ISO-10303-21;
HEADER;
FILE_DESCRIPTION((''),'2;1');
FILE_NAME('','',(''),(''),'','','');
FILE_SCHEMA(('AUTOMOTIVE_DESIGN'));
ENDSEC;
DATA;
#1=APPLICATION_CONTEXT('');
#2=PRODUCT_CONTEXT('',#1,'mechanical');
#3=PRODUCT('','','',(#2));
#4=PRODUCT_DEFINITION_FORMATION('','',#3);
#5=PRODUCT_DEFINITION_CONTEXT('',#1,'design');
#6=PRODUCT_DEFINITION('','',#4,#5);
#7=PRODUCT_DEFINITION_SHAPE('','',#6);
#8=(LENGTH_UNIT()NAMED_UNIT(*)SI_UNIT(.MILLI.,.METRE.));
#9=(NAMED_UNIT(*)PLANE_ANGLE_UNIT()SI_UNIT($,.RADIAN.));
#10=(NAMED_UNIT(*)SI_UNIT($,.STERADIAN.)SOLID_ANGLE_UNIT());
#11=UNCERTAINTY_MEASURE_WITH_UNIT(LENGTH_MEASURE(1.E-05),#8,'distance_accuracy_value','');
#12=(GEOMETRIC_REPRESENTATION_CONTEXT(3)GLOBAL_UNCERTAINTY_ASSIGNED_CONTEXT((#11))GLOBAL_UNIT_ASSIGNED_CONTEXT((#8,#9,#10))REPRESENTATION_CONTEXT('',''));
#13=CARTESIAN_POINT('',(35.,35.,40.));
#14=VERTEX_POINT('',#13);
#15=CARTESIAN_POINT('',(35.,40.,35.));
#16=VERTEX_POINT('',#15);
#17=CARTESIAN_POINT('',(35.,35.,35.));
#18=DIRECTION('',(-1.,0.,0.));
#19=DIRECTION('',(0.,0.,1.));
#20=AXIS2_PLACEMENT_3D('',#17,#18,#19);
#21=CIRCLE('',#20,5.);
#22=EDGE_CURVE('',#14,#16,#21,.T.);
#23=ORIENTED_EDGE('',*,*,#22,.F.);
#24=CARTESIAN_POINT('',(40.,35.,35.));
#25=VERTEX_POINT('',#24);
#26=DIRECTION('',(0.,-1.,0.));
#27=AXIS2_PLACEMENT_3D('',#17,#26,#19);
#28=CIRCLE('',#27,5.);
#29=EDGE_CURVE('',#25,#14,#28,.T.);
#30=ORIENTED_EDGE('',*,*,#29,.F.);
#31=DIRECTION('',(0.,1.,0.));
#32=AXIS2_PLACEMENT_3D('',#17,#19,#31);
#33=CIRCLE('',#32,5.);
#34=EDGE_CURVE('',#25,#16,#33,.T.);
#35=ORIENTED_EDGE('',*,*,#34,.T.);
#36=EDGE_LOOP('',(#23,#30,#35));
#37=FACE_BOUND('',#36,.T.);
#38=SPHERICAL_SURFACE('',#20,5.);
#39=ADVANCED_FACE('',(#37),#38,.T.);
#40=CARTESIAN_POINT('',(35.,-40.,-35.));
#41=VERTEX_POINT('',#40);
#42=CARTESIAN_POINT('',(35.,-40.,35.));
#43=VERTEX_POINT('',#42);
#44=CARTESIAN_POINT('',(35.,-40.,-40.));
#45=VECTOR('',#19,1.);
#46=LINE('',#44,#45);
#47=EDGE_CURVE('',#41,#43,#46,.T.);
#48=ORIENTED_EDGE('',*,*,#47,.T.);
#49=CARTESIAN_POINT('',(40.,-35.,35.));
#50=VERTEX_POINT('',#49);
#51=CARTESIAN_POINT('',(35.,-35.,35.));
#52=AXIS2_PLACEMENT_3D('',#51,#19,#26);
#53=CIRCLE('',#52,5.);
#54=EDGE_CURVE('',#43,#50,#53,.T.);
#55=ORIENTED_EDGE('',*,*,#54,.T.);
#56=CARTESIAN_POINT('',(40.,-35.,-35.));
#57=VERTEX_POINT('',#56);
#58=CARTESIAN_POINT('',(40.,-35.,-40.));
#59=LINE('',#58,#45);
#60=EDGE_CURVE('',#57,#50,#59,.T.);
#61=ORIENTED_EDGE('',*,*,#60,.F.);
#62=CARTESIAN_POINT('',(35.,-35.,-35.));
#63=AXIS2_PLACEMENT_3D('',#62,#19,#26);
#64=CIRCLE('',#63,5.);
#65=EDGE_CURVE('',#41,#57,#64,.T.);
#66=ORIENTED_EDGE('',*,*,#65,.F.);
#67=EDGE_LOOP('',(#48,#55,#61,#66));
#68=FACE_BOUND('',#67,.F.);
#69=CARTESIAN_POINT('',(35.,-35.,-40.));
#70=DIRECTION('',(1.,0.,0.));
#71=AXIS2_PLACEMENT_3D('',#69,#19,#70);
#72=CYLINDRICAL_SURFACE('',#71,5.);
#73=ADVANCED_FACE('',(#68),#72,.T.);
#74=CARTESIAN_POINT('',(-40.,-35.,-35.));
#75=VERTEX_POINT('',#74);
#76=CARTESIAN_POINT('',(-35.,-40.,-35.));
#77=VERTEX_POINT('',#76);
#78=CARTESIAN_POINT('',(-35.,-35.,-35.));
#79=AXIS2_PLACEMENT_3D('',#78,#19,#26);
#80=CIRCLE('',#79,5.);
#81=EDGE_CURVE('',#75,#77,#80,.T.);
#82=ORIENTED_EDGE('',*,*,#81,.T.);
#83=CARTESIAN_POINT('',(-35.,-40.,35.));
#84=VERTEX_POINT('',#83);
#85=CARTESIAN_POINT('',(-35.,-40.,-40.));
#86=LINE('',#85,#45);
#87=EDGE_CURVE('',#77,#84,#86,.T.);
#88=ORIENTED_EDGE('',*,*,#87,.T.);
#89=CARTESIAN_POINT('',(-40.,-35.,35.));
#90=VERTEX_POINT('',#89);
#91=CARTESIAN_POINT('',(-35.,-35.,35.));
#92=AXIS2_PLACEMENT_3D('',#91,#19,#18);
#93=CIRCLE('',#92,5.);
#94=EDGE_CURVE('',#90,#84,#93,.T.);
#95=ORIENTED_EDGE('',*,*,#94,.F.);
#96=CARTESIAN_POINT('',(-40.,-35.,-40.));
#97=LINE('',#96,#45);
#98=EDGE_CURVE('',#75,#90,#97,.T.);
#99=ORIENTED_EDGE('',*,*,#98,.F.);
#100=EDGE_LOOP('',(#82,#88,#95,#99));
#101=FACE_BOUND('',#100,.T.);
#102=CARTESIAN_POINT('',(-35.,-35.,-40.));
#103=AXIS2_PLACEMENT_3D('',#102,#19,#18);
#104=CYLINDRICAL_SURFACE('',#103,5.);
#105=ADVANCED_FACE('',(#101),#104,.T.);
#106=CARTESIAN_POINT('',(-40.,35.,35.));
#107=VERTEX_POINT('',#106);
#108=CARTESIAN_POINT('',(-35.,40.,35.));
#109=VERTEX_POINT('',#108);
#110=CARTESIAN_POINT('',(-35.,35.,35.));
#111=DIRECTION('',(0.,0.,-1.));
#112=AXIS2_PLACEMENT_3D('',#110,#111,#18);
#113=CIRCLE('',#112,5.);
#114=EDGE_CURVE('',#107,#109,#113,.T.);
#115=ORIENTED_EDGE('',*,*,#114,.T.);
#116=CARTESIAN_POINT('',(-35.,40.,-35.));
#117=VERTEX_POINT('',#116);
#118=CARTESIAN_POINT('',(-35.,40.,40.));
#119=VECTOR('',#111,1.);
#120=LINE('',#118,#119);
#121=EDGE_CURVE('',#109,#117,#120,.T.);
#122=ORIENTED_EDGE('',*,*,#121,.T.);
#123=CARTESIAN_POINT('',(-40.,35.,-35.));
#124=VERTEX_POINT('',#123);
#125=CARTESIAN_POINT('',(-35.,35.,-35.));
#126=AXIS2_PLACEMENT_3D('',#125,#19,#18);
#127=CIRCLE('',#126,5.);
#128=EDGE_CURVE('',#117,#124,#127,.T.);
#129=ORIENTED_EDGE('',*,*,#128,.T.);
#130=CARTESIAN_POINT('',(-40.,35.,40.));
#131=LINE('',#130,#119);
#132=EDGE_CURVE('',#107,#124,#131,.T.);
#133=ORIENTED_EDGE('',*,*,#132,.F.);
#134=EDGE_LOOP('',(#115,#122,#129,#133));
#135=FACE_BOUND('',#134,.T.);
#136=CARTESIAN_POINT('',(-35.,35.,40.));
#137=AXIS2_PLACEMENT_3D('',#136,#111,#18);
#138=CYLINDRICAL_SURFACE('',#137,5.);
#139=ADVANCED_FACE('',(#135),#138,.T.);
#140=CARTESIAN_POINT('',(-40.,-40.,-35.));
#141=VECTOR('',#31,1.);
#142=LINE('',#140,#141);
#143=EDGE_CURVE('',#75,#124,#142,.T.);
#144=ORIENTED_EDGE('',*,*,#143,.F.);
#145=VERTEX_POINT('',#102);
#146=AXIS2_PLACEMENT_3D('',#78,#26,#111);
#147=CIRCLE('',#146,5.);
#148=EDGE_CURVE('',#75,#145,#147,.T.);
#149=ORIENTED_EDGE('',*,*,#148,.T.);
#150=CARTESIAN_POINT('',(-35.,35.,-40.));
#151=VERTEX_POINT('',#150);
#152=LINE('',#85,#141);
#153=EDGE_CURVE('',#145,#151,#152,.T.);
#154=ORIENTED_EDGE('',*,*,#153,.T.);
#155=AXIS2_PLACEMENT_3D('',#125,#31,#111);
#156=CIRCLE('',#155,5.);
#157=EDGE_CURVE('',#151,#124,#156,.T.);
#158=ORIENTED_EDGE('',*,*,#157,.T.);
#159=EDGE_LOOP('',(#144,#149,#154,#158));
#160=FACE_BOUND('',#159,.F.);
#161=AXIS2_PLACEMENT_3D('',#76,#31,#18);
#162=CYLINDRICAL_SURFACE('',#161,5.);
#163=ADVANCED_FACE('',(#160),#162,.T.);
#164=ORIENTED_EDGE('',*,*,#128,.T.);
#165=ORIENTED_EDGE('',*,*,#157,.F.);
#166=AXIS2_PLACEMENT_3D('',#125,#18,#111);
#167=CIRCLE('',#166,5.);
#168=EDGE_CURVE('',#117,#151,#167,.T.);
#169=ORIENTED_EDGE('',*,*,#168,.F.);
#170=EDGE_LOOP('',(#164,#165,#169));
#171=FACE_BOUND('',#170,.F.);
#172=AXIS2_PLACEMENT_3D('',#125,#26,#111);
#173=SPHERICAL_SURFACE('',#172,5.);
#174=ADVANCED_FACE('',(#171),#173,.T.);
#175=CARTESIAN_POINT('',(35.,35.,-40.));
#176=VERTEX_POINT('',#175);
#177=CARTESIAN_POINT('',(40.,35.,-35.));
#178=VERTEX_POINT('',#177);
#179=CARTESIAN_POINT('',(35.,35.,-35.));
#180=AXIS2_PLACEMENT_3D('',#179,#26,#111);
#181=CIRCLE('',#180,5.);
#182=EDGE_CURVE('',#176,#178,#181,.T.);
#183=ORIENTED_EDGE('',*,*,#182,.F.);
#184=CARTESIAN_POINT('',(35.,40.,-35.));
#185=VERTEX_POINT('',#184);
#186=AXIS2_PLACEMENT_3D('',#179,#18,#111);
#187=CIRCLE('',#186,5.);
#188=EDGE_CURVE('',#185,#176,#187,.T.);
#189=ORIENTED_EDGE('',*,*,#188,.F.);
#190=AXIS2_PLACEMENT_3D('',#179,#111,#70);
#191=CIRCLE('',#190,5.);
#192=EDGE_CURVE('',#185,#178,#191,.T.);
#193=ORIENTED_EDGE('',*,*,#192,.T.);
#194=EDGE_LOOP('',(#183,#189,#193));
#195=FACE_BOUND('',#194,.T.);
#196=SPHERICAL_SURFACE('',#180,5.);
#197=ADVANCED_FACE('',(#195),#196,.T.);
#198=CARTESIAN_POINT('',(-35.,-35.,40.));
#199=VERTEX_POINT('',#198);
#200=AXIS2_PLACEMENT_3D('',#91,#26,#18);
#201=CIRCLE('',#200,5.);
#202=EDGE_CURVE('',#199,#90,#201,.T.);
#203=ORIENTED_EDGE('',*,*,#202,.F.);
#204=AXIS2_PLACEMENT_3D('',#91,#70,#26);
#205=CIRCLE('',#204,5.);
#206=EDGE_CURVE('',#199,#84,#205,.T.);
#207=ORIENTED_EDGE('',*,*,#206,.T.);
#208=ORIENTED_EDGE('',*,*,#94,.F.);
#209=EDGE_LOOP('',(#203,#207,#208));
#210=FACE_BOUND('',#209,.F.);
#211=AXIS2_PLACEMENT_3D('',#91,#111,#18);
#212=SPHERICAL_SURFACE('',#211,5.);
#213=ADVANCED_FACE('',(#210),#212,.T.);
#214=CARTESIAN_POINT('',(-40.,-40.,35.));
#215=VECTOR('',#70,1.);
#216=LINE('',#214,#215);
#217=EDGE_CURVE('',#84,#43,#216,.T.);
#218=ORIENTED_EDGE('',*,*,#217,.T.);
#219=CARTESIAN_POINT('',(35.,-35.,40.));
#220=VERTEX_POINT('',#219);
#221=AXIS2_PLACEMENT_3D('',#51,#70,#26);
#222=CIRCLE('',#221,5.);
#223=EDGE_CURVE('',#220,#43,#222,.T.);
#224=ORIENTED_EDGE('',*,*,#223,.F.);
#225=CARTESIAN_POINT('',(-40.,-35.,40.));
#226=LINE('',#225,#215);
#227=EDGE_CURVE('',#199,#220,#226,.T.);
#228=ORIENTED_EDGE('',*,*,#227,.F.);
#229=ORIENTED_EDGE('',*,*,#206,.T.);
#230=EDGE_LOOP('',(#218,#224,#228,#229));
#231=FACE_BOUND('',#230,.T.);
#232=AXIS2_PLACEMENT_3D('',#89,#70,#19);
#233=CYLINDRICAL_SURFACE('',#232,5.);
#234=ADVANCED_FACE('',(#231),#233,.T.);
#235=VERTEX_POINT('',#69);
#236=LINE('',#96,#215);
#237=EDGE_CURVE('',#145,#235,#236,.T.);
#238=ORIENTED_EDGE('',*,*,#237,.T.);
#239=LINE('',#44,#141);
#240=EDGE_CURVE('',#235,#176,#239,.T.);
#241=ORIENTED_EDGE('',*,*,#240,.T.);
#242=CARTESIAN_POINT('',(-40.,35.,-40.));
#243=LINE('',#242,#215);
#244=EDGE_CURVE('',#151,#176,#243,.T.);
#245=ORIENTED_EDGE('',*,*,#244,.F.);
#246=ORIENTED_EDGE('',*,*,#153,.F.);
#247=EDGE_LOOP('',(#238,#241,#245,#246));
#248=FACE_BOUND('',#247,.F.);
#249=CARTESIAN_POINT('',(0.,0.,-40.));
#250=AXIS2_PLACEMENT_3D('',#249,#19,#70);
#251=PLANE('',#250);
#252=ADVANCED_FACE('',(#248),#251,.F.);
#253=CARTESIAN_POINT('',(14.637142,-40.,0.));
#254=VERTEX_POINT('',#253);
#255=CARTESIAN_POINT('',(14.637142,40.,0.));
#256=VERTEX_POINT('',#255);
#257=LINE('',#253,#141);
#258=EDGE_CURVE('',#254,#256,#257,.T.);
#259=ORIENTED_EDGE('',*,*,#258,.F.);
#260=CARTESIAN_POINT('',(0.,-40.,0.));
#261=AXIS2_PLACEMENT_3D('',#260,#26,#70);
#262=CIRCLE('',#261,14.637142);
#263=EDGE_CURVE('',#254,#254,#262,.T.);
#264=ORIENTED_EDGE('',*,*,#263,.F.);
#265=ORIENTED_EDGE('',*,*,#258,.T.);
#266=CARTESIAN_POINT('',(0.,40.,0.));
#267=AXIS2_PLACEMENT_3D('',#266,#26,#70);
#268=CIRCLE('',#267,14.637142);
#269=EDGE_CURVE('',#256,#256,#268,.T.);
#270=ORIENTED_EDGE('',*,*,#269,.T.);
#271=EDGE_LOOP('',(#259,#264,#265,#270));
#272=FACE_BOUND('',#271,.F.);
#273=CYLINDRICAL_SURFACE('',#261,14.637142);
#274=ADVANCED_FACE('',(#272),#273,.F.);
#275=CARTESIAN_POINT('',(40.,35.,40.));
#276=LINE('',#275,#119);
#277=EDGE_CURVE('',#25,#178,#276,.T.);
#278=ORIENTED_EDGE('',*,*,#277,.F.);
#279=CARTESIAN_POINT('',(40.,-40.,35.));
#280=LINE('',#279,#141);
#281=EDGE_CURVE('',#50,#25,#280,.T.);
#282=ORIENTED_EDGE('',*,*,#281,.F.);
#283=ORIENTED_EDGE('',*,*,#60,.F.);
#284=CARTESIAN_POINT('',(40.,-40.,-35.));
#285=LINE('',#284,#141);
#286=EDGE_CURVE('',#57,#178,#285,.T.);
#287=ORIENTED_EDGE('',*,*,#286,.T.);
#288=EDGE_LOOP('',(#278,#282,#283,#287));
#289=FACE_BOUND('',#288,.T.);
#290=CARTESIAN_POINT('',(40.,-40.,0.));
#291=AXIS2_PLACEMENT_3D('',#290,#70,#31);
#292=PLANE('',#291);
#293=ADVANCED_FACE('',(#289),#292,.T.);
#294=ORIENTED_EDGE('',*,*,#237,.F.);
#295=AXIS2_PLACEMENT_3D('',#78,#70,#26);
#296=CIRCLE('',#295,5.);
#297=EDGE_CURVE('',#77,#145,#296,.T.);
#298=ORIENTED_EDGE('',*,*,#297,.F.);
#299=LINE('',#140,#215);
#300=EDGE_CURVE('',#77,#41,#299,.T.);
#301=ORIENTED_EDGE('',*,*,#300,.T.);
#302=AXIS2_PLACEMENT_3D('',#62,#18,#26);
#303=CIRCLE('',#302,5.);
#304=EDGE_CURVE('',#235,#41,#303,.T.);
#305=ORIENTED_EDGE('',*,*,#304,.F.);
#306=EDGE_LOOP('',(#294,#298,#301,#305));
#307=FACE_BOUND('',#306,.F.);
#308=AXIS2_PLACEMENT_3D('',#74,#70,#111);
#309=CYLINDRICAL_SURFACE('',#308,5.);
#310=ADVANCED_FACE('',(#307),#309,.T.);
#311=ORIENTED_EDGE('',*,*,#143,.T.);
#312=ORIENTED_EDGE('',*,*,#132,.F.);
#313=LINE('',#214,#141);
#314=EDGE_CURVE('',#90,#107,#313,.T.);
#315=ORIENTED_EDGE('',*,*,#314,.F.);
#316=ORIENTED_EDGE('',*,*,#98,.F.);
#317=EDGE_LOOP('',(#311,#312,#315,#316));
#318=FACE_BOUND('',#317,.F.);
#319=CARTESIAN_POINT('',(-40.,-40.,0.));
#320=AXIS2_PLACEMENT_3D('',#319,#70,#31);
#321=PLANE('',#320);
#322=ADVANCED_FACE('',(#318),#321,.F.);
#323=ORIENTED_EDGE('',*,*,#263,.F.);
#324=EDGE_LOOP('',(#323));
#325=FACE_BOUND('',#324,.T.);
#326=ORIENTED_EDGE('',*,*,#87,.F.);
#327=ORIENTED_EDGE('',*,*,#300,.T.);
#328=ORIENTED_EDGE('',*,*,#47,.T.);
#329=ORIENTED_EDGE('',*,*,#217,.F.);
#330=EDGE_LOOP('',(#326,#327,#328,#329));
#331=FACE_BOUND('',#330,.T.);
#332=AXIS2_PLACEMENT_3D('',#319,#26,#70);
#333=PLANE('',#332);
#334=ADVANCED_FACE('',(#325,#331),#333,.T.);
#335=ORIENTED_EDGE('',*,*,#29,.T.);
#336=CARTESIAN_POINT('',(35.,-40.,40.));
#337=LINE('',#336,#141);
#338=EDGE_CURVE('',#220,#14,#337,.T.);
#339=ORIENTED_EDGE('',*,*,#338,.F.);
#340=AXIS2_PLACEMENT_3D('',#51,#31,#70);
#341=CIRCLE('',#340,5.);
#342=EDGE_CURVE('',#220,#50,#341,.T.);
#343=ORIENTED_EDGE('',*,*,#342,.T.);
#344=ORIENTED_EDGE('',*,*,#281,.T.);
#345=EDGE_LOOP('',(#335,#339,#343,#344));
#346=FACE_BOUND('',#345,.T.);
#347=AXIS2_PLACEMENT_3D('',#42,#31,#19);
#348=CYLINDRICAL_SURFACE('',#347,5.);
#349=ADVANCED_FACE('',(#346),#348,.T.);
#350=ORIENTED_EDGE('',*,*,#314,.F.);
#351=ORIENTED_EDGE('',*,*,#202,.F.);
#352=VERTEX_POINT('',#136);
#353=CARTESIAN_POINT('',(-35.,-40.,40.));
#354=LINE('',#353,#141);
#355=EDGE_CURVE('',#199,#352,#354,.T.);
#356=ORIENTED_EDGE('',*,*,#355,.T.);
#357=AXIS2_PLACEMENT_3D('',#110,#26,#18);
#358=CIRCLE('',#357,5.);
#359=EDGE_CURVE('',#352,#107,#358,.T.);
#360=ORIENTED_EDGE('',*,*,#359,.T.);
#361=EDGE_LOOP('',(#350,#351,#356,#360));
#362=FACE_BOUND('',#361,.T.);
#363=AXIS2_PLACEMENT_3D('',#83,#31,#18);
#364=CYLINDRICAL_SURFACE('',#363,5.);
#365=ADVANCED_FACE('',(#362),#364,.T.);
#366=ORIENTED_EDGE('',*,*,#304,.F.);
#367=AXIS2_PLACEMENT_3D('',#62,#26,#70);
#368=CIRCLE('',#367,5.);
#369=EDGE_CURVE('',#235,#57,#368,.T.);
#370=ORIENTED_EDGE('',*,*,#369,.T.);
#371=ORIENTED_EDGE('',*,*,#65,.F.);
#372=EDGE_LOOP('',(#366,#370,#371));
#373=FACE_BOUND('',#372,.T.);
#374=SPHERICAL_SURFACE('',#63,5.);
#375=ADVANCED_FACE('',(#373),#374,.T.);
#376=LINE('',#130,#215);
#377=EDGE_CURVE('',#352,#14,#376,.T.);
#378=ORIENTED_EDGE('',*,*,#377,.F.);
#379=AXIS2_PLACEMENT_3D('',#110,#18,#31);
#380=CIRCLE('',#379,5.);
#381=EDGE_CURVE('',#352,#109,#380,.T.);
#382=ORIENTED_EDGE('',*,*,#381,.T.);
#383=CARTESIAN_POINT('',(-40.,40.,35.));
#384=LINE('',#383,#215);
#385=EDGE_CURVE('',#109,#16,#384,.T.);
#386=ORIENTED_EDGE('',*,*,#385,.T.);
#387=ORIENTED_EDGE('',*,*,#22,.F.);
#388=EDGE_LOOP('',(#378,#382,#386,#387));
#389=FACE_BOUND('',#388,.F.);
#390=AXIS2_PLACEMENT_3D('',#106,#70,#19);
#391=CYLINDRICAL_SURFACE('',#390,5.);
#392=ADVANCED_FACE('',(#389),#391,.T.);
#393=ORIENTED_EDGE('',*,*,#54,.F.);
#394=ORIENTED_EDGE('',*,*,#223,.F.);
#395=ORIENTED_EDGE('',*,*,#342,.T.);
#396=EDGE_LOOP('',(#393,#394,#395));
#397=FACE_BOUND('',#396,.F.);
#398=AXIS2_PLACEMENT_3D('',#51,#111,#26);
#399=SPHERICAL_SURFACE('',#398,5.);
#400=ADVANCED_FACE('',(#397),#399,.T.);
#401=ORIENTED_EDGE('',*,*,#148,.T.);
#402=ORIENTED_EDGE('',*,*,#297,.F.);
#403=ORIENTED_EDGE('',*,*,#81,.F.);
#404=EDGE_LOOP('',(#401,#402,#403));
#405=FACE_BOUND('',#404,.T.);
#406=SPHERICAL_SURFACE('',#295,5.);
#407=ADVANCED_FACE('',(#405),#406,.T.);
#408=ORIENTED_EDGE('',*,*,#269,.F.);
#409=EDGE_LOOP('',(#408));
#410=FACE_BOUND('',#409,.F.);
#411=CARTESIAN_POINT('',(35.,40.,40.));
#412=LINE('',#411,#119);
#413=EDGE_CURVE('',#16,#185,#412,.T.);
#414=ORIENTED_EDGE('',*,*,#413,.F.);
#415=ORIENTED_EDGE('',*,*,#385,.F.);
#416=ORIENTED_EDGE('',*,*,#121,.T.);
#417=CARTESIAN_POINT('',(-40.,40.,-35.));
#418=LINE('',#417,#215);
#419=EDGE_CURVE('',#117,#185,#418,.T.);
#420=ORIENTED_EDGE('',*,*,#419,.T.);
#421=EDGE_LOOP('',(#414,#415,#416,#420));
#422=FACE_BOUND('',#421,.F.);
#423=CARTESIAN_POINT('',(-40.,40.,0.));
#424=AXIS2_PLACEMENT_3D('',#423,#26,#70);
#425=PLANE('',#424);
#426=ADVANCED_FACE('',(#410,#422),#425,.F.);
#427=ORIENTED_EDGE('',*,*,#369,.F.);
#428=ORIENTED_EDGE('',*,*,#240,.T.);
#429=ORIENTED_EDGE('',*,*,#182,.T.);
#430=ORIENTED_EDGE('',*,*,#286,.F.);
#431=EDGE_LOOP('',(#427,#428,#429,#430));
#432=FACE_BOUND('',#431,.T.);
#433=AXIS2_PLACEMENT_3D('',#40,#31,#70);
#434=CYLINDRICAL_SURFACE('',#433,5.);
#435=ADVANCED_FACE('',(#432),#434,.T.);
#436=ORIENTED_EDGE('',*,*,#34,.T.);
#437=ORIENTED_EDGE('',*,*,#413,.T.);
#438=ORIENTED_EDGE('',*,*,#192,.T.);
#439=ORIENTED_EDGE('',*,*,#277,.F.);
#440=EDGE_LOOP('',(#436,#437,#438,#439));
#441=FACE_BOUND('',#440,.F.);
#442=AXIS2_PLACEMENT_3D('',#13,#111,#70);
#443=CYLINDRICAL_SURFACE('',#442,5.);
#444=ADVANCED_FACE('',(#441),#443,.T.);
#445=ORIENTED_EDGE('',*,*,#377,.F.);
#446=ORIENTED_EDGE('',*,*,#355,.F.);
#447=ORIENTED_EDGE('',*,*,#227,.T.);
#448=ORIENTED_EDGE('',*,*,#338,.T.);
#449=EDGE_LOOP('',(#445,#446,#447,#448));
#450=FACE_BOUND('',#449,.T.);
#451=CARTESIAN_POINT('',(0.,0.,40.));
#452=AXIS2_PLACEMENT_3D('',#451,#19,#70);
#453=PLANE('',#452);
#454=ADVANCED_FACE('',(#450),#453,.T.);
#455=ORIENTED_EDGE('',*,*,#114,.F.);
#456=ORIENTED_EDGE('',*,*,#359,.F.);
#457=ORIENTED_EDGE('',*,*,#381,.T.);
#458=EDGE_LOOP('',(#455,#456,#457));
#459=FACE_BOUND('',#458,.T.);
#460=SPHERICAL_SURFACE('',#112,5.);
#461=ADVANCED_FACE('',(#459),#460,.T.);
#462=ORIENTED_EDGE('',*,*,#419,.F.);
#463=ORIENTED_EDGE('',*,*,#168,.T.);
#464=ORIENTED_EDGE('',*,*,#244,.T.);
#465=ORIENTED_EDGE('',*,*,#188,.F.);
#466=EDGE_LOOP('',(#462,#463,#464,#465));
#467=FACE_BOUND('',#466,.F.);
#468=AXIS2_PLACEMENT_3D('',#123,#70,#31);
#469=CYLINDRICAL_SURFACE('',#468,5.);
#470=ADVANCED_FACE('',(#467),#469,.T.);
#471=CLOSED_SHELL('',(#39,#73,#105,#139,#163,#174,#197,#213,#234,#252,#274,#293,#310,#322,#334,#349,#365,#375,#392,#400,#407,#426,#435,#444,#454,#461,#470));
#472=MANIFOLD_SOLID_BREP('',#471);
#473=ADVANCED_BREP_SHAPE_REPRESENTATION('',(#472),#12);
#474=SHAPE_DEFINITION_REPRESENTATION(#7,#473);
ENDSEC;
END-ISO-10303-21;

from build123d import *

# Parameters (mm, degrees)
F0_W     = 80
F0_H     = 80
F1_DEPTH = 40
F2_R     = 5
F3_R     = 14.637142
F4_DEPTH = 80.001


with BuildPart() as f1:
    # F0 (on Top) → F1 (new body, symmetric)
    with BuildSketch(Plane.XY):
        Rectangle(F0_W, F0_H)
    extrude(amount=F1_DEPTH, both=True)

    # F2
    f2_edges = [f1.edges().sort_by_distance(p)[0] for p in [
        (40, -40, 0),
        (0, -40, -40),
        (-40, -40, 0),
        (-40, 0, -40),
        (40, 0, -40),
        (0, 40, -40),
        (-40, 40, 0),
        (-40, 0, 40),
        (0, -40, 40),
        (0, 40, 40),
        (40, 0, 40),
        (40, 40, 0),
    ]]
    fillet(f2_edges, radius=F2_R)

    # F3 (on face) → F4 (cut, through all)
    with BuildSketch(Plane.XZ.offset(40)):
        Circle(F3_R)
    extrude(amount=-F4_DEPTH, mode=Mode.SUBTRACT)


solid = f1.part
